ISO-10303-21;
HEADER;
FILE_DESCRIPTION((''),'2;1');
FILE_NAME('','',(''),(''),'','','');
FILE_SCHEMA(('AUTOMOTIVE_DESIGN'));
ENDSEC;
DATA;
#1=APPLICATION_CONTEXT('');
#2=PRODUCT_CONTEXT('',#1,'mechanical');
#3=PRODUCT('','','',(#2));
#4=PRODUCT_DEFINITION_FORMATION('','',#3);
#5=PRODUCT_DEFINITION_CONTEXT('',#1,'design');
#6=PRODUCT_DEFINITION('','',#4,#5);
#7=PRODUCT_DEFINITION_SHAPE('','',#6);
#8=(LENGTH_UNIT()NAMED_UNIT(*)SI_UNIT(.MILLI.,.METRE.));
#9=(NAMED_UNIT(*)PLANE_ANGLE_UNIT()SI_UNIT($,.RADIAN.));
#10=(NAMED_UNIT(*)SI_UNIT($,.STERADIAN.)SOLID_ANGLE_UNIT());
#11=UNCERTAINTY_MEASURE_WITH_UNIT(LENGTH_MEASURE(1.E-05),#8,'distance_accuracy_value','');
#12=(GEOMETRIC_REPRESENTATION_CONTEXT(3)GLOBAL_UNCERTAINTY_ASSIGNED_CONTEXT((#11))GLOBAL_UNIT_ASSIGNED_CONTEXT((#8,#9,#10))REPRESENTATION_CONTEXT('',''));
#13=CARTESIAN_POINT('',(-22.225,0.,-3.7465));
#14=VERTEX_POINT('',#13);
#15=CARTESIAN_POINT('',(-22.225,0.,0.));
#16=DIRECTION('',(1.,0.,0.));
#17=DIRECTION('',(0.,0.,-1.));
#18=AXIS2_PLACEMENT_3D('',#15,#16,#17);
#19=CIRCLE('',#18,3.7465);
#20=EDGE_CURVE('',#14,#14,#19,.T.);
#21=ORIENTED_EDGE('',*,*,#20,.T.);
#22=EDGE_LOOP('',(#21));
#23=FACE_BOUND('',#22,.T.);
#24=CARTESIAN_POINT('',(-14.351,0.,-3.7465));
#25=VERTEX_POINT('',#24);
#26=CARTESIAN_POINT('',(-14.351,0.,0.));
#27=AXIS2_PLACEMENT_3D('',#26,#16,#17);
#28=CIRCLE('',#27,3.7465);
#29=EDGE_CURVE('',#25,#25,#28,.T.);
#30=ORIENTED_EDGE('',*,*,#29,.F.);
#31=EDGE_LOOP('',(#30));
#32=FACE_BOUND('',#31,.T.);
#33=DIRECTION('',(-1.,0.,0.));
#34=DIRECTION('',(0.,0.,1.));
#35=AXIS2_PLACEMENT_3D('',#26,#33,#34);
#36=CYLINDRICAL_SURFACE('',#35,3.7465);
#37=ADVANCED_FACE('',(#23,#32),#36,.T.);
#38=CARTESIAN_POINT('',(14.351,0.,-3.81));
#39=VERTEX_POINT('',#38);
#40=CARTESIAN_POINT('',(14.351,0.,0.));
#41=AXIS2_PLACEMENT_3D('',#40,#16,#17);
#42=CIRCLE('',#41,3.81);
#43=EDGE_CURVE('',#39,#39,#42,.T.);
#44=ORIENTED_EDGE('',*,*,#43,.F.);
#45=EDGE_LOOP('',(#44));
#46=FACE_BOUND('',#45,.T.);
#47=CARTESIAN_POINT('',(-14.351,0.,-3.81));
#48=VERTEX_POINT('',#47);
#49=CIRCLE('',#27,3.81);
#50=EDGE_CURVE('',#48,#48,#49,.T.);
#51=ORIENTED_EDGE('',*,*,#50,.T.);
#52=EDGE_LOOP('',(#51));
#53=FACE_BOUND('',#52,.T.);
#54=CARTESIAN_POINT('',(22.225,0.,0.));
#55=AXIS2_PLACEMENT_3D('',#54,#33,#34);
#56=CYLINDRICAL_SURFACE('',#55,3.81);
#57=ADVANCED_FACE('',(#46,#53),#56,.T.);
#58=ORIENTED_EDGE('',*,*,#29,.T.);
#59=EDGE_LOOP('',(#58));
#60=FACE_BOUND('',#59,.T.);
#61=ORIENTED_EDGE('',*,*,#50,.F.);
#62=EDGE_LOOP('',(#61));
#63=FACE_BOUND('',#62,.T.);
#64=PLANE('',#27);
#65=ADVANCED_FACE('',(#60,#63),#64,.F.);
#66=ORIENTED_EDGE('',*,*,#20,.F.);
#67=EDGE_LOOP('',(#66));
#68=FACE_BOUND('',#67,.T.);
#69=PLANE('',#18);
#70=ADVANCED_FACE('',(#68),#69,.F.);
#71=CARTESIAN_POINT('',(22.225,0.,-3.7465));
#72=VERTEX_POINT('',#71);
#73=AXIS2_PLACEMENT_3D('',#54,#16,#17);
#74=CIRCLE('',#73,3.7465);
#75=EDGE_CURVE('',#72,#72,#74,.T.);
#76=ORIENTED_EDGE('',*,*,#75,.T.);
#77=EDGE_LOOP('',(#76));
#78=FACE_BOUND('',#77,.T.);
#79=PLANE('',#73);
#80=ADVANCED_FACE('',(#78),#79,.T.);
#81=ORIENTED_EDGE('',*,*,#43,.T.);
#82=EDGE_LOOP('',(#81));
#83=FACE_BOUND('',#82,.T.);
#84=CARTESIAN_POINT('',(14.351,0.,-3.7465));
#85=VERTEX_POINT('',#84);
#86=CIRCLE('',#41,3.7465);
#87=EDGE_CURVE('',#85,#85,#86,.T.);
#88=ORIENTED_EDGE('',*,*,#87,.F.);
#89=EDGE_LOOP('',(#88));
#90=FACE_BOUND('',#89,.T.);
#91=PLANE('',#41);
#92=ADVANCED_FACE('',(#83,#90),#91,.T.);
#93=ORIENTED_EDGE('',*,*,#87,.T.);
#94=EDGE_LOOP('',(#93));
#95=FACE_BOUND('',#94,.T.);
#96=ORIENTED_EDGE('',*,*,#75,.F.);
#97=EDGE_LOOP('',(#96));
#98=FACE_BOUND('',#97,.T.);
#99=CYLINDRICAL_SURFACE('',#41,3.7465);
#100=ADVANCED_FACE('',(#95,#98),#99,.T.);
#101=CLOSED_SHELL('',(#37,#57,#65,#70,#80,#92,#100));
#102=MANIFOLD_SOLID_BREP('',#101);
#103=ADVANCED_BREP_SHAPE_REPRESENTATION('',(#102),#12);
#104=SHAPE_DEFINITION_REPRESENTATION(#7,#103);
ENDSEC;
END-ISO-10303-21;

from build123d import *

# Parameters (mm, degrees)
SKETCH1_R               = 3.81
BOSS_EXTRUDE1_DEPTH     = 22.225
SKETCH2_R               = 6.2865
SKETCH2_R_2             = 3.7465
CUT_EXTRUDE_THIN3_DEPTH = 7.874


with BuildPart() as part:
    # Sketch1 → Boss-Extrude1 (new body, symmetric)
    with BuildSketch(Plane(origin=(0, 0, 0), x_dir=(0, 0, -1), z_dir=(1, 0, 0))):
        Circle(SKETCH1_R)
    extrude(amount=BOSS_EXTRUDE1_DEPTH, both=True)

    # Sketch2 → Cut-Extrude-Thin3 (cut)
    with BuildSketch(Plane(origin=(22.225, 0, 0), x_dir=(0, 0, -1), z_dir=(1, 0, 0))):
        Circle(SKETCH2_R)
        Circle(SKETCH2_R_2, mode=Mode.SUBTRACT)
    cut_extrude_thin3 = extrude(amount=-CUT_EXTRUDE_THIN3_DEPTH, mode=Mode.SUBTRACT)

    # Mirror1: Cut-Extrude-Thin3 across plane
    add(cut_extrude_thin3.mirror(Plane(origin=(0, 0, 0), x_dir=(0, 0, 1), z_dir=(1, 0, 0))), mode=Mode.SUBTRACT)


solid = part.part
